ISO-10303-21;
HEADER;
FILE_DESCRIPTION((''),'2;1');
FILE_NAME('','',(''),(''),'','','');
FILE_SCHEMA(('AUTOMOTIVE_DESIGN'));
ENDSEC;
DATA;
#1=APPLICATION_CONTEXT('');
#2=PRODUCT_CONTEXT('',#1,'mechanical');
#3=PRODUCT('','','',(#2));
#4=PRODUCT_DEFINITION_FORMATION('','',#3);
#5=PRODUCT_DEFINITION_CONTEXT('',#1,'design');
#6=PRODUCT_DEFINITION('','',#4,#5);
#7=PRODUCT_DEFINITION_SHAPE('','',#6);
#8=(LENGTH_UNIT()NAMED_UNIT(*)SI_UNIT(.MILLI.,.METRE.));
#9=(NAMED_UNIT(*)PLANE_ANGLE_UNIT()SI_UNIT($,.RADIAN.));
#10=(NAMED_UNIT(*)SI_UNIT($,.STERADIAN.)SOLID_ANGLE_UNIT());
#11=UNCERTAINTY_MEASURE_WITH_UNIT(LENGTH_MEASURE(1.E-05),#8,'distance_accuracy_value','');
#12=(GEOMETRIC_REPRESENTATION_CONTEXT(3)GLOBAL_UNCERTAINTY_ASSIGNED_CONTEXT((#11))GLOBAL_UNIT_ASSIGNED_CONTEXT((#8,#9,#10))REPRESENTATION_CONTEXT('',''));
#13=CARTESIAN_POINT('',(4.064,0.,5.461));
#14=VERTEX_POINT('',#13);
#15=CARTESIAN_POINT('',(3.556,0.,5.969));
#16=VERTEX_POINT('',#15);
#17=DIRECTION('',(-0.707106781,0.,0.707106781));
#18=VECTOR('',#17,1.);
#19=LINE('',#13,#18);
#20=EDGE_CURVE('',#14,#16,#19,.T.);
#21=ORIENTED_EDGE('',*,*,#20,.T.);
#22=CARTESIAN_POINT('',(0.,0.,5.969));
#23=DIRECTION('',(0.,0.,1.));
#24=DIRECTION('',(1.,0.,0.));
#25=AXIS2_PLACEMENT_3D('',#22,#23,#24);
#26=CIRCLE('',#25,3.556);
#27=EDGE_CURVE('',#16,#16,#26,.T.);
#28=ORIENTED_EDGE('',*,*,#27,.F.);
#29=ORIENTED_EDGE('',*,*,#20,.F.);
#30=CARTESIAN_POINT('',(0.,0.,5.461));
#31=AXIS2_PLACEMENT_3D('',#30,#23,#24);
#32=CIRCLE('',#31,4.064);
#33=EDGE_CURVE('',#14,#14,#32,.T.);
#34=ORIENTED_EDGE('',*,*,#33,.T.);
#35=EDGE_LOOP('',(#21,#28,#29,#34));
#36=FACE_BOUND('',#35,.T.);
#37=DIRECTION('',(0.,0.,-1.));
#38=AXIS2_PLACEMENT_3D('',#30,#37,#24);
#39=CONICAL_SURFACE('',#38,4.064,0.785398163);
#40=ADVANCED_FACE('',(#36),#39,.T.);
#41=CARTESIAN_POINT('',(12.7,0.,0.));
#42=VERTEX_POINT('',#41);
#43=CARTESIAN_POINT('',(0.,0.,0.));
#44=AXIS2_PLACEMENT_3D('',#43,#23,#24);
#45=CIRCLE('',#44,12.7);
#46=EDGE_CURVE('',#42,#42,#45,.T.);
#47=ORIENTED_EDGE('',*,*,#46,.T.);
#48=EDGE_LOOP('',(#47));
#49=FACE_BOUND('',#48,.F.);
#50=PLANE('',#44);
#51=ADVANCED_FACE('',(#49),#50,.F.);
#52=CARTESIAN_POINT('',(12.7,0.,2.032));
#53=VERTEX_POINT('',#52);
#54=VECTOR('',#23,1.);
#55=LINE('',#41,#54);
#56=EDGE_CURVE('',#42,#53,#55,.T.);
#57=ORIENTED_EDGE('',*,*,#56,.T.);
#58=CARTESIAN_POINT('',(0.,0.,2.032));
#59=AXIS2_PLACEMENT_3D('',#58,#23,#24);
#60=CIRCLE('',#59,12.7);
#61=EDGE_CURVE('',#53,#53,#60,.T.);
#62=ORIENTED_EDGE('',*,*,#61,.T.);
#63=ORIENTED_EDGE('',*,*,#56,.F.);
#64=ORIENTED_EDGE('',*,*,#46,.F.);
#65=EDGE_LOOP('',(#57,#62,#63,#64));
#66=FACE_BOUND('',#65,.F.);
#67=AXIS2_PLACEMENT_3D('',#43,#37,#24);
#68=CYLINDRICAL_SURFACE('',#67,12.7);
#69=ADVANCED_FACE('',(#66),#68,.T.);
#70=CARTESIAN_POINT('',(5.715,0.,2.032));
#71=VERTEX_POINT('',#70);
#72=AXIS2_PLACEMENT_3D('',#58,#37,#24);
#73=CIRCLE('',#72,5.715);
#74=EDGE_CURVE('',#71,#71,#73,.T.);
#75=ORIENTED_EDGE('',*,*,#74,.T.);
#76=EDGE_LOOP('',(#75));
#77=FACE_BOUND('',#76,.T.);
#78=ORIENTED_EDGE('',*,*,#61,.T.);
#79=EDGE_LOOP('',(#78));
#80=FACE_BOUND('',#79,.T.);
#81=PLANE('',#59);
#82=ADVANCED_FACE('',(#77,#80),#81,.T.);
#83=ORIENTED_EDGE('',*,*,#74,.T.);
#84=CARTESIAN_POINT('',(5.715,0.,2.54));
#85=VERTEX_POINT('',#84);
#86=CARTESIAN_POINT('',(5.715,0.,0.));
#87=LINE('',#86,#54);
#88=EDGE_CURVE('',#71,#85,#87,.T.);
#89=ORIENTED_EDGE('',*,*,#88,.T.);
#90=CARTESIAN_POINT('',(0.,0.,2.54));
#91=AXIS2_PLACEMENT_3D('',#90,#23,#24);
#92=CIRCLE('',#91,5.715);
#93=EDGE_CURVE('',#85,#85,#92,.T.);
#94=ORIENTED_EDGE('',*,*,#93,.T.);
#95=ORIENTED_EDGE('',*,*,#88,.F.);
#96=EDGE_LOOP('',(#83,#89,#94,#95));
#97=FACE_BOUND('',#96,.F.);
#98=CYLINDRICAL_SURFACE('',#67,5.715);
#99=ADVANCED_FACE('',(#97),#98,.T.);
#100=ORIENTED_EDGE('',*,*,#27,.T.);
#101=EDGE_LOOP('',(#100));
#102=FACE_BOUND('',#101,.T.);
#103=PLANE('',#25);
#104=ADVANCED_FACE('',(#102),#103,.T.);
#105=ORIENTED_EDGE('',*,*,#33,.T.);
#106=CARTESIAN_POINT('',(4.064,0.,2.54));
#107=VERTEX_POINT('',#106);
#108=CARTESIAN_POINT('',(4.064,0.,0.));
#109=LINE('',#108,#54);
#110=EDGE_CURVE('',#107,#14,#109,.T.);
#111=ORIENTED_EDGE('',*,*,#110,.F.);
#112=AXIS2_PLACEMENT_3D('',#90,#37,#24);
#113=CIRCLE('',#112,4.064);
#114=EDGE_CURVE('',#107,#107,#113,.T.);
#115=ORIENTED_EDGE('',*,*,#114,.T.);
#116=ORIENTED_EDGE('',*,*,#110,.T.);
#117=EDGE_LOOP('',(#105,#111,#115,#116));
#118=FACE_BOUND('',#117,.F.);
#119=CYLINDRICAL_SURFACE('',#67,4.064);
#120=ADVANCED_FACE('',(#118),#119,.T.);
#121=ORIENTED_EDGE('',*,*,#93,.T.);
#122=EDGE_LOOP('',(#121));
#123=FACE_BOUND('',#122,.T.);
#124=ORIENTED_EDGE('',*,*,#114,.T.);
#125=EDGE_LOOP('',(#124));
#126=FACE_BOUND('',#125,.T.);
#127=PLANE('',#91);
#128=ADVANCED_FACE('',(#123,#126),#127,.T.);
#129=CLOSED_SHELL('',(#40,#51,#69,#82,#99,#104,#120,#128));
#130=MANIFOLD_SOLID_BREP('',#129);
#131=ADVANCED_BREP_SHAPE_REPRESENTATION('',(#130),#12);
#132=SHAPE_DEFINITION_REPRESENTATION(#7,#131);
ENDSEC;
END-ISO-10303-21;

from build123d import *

# Parameters (mm, degrees)
F0_R     = 12.7
F1_DEPTH = 2.032
F2_R     = 4.064
F3_DEPTH = 5.969
F4_SIZE  = 0.508
F5_R     = 5.715
F6_DEPTH = 2.54


with BuildPart() as f1:
    # F0 (on Top) → F1 (new body)
    with BuildSketch(Plane.XY):
        Circle(F0_R)
    extrude(amount=F1_DEPTH)

    # F2 (on Top) → F3 (join)
    with BuildSketch(Plane.XY):
        Circle(F2_R)
    extrude(amount=F3_DEPTH)

    # F4
    f4_edges = [f1.edges().sort_by_distance(p)[0] for p in [
        (-4.064, 0, 5.969),
    ]]
    chamfer(f4_edges, length=F4_SIZE)

    # F5 (on Top) → F6 (join)
    with BuildSketch(Plane.XY):
        Circle(F5_R)
    extrude(amount=F6_DEPTH)


solid = f1.part
